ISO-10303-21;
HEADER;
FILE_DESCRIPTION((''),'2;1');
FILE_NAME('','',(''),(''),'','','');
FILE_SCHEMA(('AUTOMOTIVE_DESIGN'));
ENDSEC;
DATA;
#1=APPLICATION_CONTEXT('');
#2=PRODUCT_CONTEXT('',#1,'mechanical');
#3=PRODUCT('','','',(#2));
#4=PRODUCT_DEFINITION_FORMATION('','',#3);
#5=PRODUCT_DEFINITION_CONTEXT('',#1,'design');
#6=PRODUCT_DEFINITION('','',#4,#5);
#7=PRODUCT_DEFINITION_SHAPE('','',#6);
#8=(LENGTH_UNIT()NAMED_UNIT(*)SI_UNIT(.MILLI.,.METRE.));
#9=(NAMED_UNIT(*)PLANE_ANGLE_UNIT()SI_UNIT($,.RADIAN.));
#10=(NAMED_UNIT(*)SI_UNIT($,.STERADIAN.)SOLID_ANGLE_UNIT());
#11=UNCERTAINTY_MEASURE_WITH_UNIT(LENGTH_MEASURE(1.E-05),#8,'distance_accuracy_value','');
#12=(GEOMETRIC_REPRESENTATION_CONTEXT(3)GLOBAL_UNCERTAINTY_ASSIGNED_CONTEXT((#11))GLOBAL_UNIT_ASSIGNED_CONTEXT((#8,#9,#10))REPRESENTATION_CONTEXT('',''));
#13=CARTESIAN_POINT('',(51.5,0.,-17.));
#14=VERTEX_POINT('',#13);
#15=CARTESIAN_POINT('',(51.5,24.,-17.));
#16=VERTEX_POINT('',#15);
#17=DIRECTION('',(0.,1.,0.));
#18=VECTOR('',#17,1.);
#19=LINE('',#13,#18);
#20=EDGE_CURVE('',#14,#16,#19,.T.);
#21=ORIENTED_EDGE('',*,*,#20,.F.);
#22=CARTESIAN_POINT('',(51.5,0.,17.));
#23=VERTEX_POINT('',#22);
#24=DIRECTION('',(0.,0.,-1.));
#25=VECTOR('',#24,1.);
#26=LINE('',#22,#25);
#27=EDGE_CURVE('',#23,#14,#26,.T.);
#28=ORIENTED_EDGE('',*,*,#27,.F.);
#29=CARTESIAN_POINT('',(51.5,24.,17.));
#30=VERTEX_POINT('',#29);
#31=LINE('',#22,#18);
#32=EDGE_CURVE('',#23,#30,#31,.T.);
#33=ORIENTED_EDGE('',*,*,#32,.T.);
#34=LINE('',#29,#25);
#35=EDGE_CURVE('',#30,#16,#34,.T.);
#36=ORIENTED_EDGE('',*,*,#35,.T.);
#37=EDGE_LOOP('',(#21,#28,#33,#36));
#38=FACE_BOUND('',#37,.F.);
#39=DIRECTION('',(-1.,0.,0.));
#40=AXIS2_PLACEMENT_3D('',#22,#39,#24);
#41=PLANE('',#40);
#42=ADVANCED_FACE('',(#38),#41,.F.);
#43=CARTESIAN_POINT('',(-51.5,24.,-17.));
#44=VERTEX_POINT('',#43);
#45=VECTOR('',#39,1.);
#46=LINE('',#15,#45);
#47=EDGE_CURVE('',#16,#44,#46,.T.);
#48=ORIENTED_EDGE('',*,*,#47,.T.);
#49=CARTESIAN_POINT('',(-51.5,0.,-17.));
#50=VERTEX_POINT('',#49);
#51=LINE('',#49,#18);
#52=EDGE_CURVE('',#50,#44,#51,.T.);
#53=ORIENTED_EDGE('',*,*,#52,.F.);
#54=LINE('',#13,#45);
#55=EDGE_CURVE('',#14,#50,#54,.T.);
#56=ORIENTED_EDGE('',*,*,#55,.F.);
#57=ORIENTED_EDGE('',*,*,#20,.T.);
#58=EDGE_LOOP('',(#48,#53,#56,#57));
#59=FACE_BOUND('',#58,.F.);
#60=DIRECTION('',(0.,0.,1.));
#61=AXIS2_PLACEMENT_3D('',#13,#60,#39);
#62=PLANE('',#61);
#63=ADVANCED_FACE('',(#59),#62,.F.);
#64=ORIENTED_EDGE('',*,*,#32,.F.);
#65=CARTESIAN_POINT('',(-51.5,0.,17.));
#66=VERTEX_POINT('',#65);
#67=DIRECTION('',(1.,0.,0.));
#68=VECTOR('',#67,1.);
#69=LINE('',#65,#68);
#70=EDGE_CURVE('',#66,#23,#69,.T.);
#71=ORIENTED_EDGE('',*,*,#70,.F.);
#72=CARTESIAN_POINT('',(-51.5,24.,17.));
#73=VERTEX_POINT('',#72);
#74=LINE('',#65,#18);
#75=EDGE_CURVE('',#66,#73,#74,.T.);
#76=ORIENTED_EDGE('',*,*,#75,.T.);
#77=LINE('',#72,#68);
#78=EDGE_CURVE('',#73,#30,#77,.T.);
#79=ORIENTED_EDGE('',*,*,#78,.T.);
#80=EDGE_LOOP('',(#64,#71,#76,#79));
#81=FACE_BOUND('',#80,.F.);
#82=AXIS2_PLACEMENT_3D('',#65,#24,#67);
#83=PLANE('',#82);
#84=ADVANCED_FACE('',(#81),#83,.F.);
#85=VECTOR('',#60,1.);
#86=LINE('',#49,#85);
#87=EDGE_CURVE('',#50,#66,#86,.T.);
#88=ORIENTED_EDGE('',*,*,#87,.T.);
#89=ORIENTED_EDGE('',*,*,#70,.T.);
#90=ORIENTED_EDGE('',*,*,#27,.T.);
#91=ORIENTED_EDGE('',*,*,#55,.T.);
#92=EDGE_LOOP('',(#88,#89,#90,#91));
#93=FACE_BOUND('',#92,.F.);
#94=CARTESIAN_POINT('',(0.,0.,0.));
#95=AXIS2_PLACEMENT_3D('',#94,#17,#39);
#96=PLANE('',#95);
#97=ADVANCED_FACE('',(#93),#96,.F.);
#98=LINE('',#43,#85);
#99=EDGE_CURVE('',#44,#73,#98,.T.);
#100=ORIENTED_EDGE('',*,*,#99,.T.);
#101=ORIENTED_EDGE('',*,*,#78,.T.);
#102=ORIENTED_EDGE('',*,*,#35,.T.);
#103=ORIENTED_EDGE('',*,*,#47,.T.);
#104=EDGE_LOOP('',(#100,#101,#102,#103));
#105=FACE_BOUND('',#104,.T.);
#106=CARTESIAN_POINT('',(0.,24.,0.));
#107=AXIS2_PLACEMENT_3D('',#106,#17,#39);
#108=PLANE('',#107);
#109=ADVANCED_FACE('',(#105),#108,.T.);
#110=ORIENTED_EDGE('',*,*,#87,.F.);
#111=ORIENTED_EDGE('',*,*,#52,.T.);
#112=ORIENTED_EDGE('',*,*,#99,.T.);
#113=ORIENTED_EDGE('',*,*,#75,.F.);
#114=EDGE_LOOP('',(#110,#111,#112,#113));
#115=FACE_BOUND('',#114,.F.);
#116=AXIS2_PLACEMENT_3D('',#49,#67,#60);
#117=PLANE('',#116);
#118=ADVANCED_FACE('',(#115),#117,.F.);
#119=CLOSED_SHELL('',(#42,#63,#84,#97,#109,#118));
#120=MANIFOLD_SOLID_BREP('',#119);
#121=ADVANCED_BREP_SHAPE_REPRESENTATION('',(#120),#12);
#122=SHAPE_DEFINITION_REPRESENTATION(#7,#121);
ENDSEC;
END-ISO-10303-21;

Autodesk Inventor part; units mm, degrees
ref_plane "YZ Plane" through (0, 0, 0) normal (1, 0, 0) x (0, 1, 0)
ref_plane "XZ Plane" through (0, 0, 0) normal (0, 1, 0) x (-1, 0, 0)
ref_plane "XY Plane" through (0, 0, 0) normal (0, 0, 1) x (1, 0, 0)
sketch "Sketch1" plane through (0, 0, 0) normal (0, 1, 0) x (-1, 0, 0)
  line L0 (51.5, 17) -> (-51.5, 17)
  line L1 (-51.5, 17) -> (-51.5, -17)
  line L2 (-51.5, -17) -> (51.5, -17)
  line L3 (51.5, -17) -> (51.5, 17)
  line L4 (51.5, 17) -> (-51.5, -17) construction
  line L5 (-51.5, 17) -> (51.5, -17) construction
  point P0 (0, 0)
  dimension "d0" = 103
  dimension "d1" = 34
extrude "Extrusion1" add sketch "Sketch1" along normal blind 24
properties part number "turnigy_battery"
